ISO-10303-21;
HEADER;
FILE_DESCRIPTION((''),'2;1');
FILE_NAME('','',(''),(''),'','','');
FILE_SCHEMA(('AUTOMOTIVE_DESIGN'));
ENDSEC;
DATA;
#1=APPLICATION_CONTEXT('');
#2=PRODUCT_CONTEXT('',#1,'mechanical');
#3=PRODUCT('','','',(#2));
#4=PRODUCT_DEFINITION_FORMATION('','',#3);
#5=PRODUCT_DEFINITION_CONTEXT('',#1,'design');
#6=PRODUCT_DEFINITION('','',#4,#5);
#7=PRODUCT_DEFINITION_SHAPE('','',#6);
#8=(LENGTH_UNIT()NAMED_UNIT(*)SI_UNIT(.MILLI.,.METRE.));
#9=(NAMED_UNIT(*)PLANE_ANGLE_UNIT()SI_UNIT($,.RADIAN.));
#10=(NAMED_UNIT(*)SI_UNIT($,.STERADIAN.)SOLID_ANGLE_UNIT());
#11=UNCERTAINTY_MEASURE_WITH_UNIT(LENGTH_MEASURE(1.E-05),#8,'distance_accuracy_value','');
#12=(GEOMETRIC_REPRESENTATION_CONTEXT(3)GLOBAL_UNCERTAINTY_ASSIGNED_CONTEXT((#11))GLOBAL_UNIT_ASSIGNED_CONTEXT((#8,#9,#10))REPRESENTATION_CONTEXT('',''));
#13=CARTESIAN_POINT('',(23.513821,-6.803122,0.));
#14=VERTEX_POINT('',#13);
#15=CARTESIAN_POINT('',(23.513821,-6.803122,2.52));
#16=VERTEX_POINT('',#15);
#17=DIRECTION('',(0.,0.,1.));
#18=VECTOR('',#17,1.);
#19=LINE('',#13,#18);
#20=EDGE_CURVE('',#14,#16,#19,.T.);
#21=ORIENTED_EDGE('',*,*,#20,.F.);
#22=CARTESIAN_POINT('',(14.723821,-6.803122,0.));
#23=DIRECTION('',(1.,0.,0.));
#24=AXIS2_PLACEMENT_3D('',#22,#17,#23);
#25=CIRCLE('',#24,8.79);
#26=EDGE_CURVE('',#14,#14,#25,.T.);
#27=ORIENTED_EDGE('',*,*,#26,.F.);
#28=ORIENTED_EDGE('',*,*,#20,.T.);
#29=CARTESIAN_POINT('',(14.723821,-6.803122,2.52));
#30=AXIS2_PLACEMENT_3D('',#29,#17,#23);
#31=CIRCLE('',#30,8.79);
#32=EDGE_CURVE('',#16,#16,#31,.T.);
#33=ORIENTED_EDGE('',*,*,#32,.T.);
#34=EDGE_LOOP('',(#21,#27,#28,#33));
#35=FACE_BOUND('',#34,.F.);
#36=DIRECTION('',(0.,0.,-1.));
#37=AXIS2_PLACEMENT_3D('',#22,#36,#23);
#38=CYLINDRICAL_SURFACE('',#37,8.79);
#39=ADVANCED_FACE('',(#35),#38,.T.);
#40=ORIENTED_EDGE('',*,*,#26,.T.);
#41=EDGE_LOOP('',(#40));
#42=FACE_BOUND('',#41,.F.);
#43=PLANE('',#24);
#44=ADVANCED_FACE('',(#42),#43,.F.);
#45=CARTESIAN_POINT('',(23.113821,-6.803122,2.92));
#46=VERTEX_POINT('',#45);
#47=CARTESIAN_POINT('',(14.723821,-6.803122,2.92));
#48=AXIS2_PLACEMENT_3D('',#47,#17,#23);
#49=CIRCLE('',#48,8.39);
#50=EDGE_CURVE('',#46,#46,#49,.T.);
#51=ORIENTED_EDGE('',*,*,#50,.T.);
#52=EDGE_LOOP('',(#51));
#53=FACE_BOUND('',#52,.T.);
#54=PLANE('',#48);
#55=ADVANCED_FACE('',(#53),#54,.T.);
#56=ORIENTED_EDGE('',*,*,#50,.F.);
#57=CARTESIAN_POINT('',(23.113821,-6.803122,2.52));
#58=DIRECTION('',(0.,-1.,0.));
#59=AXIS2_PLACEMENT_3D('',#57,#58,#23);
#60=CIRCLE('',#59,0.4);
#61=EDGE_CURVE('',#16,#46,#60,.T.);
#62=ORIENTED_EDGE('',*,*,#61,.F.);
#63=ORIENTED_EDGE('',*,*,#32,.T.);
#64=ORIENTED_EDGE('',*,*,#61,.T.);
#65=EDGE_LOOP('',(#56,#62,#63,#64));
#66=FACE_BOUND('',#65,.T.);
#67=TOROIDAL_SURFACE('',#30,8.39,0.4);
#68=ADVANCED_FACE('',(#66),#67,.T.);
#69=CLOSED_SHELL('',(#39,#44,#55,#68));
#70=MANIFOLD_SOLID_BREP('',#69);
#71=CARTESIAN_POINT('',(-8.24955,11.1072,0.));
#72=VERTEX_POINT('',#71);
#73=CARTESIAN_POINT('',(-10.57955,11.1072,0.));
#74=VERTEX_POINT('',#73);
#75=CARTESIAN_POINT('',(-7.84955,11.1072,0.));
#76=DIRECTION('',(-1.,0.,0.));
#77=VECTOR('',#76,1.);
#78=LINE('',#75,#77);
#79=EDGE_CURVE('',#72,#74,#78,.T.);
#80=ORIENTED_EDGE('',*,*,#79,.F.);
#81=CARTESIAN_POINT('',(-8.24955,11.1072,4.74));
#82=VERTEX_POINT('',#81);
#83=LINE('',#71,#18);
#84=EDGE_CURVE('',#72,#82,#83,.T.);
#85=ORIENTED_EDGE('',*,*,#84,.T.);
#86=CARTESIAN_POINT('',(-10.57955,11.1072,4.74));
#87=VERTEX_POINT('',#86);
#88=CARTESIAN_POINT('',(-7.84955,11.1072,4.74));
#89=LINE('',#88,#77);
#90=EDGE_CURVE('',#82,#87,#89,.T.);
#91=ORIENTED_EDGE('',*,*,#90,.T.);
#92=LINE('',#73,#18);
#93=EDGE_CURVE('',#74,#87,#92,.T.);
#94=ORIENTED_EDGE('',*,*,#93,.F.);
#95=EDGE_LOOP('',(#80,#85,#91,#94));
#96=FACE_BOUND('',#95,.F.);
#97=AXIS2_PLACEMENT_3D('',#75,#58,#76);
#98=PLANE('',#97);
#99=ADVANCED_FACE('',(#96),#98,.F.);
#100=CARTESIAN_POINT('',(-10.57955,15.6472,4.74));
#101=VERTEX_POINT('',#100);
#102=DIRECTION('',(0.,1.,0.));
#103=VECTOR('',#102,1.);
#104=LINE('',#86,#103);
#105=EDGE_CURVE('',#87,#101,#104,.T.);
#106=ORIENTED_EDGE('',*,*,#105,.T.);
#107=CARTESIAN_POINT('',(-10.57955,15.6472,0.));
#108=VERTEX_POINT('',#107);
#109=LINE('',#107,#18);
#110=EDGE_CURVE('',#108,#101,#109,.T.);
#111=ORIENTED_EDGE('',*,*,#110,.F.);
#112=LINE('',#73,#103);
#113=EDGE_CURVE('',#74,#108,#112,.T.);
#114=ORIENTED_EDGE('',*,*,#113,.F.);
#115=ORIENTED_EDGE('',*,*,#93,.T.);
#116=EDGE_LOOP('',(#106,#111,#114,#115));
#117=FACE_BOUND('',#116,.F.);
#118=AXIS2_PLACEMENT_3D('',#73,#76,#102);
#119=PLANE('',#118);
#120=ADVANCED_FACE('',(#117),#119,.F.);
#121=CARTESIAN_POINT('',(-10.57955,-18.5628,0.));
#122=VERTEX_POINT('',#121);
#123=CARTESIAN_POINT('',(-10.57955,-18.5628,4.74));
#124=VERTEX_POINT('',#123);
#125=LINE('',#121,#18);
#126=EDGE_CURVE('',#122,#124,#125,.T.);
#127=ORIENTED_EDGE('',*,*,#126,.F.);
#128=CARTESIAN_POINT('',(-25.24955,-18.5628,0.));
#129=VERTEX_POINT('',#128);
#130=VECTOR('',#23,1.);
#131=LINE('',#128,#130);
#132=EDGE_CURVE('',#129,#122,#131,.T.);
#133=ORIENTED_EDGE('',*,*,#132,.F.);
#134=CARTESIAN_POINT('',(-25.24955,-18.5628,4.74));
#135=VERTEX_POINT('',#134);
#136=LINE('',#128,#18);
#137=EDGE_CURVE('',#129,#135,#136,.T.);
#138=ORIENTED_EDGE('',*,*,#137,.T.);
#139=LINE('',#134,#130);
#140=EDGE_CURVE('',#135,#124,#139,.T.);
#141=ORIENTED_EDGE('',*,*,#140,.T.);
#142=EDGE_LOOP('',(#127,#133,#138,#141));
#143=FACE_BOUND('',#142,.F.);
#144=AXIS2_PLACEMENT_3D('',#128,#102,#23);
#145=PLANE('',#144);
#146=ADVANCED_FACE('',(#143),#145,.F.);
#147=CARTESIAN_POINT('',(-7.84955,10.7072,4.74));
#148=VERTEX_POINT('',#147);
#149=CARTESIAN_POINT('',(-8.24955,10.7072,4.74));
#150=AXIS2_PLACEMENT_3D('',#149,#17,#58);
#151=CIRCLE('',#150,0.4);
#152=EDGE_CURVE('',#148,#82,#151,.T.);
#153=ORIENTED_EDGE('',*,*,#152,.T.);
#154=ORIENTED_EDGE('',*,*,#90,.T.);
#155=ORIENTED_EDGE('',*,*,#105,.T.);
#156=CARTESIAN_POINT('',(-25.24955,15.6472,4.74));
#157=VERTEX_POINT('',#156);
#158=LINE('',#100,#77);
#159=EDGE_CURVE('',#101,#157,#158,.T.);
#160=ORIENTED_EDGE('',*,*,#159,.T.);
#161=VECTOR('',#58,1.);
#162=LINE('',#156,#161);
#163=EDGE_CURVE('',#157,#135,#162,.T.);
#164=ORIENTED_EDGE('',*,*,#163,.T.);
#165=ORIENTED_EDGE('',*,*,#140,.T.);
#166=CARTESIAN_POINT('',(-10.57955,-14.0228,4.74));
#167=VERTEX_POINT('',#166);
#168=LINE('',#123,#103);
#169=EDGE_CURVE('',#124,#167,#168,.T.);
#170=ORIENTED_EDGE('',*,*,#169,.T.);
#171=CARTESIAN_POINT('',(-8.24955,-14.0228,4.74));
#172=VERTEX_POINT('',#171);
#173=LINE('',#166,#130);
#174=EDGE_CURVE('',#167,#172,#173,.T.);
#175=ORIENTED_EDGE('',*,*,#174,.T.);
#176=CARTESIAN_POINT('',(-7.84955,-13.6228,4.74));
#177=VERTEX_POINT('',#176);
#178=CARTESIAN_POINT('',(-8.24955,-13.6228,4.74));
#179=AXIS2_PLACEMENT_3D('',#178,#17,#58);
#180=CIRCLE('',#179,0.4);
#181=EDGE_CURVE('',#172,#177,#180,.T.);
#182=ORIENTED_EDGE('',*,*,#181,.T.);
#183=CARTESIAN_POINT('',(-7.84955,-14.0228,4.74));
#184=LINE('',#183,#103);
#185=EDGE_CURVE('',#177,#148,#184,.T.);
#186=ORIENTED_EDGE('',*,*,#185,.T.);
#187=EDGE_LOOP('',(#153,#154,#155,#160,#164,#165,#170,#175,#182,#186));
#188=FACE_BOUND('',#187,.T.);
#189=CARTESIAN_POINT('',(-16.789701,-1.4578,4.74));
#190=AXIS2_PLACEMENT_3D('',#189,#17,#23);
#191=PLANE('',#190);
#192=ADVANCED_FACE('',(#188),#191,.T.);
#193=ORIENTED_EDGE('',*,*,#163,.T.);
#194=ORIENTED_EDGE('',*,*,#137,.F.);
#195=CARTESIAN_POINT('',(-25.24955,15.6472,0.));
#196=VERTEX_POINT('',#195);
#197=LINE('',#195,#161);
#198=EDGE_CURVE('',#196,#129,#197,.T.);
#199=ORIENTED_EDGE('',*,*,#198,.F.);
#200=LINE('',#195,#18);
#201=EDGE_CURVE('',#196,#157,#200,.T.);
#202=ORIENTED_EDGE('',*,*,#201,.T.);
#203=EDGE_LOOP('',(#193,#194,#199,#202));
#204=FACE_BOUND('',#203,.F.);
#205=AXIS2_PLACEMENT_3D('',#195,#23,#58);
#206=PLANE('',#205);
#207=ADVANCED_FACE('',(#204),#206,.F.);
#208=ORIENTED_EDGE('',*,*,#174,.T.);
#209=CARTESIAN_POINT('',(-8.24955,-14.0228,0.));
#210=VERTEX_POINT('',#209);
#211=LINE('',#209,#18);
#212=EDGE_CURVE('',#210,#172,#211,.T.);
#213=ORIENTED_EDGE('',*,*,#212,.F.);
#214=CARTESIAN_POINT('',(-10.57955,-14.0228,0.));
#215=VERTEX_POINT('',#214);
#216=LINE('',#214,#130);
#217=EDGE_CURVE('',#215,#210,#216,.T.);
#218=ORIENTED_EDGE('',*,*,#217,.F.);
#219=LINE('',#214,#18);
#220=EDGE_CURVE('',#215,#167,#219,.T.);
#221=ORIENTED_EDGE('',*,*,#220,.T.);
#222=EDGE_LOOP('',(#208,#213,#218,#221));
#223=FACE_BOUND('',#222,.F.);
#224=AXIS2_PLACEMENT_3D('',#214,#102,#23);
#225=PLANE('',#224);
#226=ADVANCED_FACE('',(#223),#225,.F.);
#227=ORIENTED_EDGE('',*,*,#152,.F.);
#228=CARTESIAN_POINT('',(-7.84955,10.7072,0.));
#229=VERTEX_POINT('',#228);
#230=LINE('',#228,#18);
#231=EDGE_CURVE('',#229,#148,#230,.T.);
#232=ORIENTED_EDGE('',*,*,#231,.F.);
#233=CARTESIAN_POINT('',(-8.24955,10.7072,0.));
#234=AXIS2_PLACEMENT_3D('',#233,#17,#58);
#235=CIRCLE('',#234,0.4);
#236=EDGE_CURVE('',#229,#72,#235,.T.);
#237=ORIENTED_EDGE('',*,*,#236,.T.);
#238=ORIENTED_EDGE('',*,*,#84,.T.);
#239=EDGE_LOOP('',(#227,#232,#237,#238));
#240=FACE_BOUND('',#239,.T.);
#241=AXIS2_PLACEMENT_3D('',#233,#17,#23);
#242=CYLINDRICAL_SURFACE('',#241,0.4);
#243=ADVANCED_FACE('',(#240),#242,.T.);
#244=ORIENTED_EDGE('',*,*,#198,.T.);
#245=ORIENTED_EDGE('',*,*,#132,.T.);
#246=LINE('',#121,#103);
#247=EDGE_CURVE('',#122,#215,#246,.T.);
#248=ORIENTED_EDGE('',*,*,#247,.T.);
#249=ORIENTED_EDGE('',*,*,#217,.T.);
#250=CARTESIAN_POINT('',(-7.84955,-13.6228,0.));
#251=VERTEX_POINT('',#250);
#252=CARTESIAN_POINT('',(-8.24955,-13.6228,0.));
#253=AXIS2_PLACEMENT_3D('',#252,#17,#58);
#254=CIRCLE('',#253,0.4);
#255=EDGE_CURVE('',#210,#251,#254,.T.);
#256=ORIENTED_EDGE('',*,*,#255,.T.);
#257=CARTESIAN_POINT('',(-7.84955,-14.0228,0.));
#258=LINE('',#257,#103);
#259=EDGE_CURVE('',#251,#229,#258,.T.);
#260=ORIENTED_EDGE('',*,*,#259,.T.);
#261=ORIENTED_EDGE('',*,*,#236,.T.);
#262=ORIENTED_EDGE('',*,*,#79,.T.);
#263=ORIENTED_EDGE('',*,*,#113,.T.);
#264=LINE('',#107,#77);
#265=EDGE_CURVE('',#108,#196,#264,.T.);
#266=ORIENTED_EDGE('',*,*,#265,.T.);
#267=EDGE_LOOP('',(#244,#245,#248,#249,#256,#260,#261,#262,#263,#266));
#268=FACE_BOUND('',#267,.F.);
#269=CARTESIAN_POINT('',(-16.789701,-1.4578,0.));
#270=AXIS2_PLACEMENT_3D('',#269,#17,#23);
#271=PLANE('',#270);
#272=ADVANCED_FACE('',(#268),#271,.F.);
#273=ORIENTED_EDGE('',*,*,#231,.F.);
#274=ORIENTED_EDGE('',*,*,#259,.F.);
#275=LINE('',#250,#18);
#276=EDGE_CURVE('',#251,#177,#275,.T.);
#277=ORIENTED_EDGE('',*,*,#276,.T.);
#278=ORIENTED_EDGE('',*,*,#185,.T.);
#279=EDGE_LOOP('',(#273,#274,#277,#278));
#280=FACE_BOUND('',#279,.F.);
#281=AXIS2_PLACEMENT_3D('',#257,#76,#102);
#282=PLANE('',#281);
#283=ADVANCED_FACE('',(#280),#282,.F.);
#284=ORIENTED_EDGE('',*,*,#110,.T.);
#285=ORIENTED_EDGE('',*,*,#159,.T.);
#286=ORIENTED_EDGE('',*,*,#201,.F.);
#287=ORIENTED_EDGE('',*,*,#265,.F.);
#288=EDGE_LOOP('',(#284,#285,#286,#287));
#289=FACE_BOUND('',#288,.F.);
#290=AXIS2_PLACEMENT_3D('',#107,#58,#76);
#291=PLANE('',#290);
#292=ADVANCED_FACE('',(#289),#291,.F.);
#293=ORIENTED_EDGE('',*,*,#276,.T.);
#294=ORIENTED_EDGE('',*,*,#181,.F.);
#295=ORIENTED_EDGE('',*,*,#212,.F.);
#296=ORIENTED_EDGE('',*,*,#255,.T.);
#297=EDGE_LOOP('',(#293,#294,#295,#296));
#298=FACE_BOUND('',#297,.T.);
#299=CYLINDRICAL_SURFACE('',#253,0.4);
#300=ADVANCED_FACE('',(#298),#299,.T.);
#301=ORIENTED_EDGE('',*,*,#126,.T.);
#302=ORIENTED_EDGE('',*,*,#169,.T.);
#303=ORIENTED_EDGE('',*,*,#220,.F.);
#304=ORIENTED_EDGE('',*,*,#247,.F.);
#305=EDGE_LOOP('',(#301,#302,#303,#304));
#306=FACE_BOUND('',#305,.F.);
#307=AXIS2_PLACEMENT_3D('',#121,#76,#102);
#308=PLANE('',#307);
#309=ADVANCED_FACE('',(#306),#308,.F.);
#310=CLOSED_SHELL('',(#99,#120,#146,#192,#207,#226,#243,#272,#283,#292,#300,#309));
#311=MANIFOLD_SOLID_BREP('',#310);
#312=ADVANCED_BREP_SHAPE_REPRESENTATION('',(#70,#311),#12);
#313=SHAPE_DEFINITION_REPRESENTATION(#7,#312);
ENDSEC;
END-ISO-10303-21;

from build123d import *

# Parameters (mm, degrees)
F1_DEPTH = 4.74
F0_R     = 8.79
F2_DEPTH = 2.92
F3_R     = 0.4
F3_2_R   = 0.4


with BuildPart() as f1:
    # F0 (on Top) → F1 (new body)
    with BuildSketch(Plane.XY):
        Polygon((-10.57955, 15.6472), (-25.24955, 15.6472), (-25.24955, -18.5628), (-10.57955, -18.5628), (-10.57955, -14.0228), (-7.84955, -14.0228), (-7.84955, 11.1072), (-10.57955, 11.1072), align=None)
    extrude(amount=F1_DEPTH)

    # F3
    f3_edges = [f1.edges().sort_by_distance(p)[0] for p in [
        (-7.84955, -14.0228, 2.37),
        (-7.84955, 11.1072, 2.37),
    ]]
    fillet(f3_edges, radius=F3_R)


with BuildPart() as f2:
    # F0 (on Top) → F2 (new body)
    with BuildSketch(Plane.XY):
        with Locations((14.723821, -6.803122)):
            Circle(F0_R)
    extrude(amount=F2_DEPTH)

    # F3#2
    f3_2_edges = [f2.edges().sort_by_distance(p)[0] for p in [
        (5.933821, -6.803122, 2.92),
    ]]
    fillet(f3_2_edges, radius=F3_2_R)


solid = Compound([f1.part, f2.part])
